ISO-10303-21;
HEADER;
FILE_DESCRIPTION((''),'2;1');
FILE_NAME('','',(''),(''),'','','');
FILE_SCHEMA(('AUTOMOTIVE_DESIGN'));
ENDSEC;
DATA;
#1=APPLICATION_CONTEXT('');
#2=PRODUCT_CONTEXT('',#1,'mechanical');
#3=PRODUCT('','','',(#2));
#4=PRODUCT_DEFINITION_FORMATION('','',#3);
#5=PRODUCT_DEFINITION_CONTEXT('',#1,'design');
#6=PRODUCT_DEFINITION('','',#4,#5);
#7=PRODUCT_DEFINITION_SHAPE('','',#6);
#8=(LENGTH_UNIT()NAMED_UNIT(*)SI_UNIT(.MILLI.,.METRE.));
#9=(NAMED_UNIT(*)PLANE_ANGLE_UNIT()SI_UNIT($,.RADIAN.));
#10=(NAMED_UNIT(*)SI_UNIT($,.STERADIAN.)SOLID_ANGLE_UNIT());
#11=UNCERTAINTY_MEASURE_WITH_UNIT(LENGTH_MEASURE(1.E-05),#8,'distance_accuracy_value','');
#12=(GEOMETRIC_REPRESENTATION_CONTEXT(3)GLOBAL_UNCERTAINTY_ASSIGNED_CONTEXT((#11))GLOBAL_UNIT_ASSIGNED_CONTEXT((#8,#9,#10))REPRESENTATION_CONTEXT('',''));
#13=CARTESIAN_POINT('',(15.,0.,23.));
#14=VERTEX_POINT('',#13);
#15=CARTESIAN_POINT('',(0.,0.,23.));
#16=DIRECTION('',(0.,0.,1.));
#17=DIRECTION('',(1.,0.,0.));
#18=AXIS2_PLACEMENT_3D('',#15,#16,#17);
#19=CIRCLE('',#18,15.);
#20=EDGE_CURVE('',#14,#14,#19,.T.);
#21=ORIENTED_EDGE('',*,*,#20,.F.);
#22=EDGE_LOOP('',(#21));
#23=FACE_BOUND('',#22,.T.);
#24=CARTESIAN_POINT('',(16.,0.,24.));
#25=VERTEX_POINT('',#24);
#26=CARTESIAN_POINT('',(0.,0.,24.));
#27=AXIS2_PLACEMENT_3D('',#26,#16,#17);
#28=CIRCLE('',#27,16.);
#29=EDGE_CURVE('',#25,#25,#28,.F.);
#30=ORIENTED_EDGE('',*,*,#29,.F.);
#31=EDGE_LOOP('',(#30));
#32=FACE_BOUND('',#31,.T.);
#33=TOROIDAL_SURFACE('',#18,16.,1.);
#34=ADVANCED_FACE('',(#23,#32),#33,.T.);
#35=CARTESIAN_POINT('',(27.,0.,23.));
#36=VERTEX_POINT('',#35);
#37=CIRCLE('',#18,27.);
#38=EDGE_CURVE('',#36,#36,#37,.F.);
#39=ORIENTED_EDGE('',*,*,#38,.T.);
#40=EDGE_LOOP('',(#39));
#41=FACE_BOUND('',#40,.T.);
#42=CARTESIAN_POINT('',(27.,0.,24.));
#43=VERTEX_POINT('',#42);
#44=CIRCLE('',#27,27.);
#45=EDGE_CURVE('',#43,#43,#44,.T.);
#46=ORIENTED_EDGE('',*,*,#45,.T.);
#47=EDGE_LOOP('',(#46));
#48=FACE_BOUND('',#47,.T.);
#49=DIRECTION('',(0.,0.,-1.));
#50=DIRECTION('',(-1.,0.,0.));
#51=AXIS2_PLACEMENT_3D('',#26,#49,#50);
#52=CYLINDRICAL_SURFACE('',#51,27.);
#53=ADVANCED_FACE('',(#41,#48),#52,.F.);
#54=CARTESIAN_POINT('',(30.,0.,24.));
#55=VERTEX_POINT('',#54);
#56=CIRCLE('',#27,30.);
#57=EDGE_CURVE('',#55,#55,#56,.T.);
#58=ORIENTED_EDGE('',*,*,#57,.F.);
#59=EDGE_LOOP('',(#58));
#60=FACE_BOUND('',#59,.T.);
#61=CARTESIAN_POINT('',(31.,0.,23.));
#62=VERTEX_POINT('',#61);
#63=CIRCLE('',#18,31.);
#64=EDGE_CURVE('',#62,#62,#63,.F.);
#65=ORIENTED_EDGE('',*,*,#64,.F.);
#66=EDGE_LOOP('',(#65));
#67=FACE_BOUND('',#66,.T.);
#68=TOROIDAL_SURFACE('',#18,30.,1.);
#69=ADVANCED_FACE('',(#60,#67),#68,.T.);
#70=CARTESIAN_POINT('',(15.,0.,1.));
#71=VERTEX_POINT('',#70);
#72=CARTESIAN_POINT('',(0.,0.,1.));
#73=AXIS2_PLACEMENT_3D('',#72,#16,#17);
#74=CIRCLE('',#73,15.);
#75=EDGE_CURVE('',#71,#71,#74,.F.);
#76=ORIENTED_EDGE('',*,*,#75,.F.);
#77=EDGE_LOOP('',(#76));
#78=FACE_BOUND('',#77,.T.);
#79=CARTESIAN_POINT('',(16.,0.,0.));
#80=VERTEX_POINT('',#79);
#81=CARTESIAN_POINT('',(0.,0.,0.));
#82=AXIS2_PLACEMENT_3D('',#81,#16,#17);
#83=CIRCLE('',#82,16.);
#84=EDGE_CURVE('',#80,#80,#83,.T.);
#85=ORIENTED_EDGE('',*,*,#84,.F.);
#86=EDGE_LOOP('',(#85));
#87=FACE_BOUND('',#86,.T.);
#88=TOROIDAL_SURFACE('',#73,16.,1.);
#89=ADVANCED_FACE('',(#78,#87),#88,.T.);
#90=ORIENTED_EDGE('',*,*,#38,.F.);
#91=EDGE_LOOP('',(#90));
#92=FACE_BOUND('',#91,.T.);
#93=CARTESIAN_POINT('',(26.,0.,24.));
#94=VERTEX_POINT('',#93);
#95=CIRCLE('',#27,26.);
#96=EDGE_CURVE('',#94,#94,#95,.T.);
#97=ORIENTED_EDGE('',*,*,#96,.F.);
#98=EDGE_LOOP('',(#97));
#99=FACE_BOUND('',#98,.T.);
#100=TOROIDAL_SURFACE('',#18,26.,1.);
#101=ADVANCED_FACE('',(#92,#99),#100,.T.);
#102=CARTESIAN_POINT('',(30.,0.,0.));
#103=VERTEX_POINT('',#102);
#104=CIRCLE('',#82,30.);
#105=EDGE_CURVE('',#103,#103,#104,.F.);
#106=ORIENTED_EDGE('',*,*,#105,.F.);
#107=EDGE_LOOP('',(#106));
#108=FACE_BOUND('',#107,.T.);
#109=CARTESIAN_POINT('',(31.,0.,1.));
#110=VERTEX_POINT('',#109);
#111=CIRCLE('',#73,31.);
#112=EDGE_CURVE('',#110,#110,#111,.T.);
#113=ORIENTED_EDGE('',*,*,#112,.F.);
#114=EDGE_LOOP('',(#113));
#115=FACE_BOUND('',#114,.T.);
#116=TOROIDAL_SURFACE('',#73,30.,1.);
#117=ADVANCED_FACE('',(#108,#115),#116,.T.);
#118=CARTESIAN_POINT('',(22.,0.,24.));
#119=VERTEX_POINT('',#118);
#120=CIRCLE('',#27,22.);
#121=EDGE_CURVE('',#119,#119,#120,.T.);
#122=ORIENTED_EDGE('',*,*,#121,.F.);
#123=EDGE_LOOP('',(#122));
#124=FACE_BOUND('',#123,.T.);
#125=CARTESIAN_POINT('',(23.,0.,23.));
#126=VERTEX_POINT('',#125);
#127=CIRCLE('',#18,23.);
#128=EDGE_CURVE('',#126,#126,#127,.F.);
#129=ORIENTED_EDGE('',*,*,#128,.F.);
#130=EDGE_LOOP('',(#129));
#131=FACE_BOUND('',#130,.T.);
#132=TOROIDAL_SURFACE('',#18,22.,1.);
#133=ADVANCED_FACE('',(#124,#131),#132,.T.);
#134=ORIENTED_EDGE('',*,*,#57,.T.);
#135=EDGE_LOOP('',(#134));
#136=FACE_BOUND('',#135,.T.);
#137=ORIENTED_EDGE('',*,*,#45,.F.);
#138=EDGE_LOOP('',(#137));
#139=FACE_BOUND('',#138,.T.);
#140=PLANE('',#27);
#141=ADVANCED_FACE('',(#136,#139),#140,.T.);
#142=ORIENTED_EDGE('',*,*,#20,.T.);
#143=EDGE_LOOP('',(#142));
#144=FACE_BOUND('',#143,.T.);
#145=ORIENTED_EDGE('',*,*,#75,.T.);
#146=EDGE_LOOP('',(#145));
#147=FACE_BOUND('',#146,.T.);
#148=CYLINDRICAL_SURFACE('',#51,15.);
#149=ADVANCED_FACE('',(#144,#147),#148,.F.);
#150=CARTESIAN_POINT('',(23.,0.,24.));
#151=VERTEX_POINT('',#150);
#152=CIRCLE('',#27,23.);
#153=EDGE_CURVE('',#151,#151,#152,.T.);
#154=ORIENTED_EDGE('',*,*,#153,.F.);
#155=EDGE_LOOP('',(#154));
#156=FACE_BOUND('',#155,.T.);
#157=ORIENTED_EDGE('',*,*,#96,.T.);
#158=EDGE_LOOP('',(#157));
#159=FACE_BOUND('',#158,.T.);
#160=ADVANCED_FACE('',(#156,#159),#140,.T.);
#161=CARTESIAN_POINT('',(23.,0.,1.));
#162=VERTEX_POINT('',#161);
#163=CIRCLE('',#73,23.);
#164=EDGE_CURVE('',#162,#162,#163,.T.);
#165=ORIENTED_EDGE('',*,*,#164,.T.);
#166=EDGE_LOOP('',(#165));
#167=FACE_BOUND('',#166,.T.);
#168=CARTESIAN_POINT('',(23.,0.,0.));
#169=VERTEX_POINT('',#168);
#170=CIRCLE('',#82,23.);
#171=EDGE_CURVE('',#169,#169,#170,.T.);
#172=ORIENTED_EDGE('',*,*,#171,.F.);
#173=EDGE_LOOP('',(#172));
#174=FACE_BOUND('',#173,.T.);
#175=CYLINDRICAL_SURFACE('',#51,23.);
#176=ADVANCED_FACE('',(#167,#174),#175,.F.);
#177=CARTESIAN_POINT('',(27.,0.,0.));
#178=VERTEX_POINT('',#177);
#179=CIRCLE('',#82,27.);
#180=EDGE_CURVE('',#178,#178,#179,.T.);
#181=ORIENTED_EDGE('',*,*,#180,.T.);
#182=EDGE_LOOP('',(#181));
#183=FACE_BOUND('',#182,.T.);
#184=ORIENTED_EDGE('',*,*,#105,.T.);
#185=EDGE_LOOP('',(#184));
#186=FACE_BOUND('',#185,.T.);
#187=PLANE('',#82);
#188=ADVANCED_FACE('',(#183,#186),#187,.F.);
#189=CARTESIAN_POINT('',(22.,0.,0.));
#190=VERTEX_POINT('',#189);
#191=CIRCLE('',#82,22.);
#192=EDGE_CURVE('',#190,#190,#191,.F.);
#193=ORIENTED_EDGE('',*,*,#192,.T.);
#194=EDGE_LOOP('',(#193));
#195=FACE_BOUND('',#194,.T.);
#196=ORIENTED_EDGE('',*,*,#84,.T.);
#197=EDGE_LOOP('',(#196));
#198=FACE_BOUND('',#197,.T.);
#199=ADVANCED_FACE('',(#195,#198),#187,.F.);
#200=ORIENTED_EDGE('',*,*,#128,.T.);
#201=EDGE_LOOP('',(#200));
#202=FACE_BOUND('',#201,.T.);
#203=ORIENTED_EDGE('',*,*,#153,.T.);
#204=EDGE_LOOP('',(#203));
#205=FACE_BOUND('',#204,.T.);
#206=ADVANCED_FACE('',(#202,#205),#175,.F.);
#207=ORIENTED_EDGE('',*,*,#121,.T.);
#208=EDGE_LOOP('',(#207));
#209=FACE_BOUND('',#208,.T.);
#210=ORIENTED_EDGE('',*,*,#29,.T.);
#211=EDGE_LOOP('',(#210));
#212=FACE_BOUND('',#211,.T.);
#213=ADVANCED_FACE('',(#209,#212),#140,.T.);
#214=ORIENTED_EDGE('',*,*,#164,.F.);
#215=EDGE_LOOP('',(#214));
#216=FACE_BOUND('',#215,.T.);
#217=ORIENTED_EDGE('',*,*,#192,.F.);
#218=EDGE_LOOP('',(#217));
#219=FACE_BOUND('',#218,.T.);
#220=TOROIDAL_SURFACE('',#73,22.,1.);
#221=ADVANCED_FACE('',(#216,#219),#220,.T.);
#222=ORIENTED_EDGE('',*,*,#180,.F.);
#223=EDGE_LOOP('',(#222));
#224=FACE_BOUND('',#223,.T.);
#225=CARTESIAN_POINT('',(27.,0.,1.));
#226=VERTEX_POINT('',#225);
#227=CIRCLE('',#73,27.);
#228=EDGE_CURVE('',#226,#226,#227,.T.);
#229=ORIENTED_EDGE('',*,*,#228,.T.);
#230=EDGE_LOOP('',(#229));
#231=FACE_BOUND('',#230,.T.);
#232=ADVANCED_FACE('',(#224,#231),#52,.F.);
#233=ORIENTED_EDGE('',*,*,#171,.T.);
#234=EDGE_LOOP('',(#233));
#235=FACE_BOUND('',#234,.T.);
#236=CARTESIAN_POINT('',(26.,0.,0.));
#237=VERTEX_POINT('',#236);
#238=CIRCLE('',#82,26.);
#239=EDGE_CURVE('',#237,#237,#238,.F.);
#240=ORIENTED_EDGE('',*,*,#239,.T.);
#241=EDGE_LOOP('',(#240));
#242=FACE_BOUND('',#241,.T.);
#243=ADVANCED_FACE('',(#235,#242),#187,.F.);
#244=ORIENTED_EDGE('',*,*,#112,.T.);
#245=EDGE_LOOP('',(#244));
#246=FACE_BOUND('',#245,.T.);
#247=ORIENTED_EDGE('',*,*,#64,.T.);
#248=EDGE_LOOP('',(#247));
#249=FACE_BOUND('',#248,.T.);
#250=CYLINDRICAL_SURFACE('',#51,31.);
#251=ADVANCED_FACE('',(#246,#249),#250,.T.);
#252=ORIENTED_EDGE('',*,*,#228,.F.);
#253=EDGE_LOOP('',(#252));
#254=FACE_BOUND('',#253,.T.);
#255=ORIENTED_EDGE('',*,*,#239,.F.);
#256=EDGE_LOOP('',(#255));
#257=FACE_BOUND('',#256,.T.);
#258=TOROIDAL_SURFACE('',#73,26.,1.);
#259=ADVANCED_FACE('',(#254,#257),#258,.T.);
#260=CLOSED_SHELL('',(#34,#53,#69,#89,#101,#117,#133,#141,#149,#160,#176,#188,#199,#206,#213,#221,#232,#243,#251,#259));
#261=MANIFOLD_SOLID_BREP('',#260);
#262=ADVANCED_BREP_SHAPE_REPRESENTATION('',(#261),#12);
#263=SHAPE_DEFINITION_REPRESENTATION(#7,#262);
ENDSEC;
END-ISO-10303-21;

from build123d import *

# Parameters (mm, degrees)
SKETCH1_R           = 23
SKETCH1_R_2         = 15
BOSS_EXTRUDE1_DEPTH = 24
FILLET1_R           = 1
SKETCH2_R           = 27
SKETCH2_R_2         = 23
BOSS_EXTRUDE2_DEPTH = 24
FILLET2_R           = 1
SKETCH3_R           = 31
SKETCH3_R_2         = 27
BOSS_EXTRUDE3_DEPTH = 24
FILLET3_R           = 1
FILLET4_R           = 1


with BuildPart() as part:
    # Sketch1 → Boss-Extrude1 (new body)
    with BuildSketch(Plane.XY):
        Circle(SKETCH1_R)
        Circle(SKETCH1_R_2, mode=Mode.SUBTRACT)
    extrude(amount=BOSS_EXTRUDE1_DEPTH)

    # Fillet1
    fillet1_edges = [part.edges().sort_by_distance(p)[0] for p in [
        (-23, 0, 0),
        (-23, 0, 24),
    ]]
    fillet(fillet1_edges, radius=FILLET1_R)

    # Sketch2 → Boss-Extrude2 (add)
    with BuildSketch(Plane.XY):
        Circle(SKETCH2_R)
        Circle(SKETCH2_R_2, mode=Mode.SUBTRACT)
    extrude(amount=BOSS_EXTRUDE2_DEPTH)

    # Fillet2
    fillet2_edges = [part.edges().sort_by_distance(p)[0] for p in [
        (-27, 0, 24),
        (-27, 0, 0),
    ]]
    fillet(fillet2_edges, radius=FILLET2_R)

    # Sketch3 → Boss-Extrude3 (add)
    with BuildSketch(Plane.XY):
        Circle(SKETCH3_R)
        Circle(SKETCH3_R_2, mode=Mode.SUBTRACT)
    extrude(amount=BOSS_EXTRUDE3_DEPTH)

    # Fillet3
    fillet3_edges = [part.edges().sort_by_distance(p)[0] for p in [
        (-31, 0, 24),
        (-31, 0, 0),
    ]]
    fillet(fillet3_edges, radius=FILLET3_R)

    # Fillet4
    fillet4_edges = [part.edges().sort_by_distance(p)[0] for p in [
        (-15, 0, 0),
        (-15, 0, 24),
    ]]
    fillet(fillet4_edges, radius=FILLET4_R)


solid = part.part
